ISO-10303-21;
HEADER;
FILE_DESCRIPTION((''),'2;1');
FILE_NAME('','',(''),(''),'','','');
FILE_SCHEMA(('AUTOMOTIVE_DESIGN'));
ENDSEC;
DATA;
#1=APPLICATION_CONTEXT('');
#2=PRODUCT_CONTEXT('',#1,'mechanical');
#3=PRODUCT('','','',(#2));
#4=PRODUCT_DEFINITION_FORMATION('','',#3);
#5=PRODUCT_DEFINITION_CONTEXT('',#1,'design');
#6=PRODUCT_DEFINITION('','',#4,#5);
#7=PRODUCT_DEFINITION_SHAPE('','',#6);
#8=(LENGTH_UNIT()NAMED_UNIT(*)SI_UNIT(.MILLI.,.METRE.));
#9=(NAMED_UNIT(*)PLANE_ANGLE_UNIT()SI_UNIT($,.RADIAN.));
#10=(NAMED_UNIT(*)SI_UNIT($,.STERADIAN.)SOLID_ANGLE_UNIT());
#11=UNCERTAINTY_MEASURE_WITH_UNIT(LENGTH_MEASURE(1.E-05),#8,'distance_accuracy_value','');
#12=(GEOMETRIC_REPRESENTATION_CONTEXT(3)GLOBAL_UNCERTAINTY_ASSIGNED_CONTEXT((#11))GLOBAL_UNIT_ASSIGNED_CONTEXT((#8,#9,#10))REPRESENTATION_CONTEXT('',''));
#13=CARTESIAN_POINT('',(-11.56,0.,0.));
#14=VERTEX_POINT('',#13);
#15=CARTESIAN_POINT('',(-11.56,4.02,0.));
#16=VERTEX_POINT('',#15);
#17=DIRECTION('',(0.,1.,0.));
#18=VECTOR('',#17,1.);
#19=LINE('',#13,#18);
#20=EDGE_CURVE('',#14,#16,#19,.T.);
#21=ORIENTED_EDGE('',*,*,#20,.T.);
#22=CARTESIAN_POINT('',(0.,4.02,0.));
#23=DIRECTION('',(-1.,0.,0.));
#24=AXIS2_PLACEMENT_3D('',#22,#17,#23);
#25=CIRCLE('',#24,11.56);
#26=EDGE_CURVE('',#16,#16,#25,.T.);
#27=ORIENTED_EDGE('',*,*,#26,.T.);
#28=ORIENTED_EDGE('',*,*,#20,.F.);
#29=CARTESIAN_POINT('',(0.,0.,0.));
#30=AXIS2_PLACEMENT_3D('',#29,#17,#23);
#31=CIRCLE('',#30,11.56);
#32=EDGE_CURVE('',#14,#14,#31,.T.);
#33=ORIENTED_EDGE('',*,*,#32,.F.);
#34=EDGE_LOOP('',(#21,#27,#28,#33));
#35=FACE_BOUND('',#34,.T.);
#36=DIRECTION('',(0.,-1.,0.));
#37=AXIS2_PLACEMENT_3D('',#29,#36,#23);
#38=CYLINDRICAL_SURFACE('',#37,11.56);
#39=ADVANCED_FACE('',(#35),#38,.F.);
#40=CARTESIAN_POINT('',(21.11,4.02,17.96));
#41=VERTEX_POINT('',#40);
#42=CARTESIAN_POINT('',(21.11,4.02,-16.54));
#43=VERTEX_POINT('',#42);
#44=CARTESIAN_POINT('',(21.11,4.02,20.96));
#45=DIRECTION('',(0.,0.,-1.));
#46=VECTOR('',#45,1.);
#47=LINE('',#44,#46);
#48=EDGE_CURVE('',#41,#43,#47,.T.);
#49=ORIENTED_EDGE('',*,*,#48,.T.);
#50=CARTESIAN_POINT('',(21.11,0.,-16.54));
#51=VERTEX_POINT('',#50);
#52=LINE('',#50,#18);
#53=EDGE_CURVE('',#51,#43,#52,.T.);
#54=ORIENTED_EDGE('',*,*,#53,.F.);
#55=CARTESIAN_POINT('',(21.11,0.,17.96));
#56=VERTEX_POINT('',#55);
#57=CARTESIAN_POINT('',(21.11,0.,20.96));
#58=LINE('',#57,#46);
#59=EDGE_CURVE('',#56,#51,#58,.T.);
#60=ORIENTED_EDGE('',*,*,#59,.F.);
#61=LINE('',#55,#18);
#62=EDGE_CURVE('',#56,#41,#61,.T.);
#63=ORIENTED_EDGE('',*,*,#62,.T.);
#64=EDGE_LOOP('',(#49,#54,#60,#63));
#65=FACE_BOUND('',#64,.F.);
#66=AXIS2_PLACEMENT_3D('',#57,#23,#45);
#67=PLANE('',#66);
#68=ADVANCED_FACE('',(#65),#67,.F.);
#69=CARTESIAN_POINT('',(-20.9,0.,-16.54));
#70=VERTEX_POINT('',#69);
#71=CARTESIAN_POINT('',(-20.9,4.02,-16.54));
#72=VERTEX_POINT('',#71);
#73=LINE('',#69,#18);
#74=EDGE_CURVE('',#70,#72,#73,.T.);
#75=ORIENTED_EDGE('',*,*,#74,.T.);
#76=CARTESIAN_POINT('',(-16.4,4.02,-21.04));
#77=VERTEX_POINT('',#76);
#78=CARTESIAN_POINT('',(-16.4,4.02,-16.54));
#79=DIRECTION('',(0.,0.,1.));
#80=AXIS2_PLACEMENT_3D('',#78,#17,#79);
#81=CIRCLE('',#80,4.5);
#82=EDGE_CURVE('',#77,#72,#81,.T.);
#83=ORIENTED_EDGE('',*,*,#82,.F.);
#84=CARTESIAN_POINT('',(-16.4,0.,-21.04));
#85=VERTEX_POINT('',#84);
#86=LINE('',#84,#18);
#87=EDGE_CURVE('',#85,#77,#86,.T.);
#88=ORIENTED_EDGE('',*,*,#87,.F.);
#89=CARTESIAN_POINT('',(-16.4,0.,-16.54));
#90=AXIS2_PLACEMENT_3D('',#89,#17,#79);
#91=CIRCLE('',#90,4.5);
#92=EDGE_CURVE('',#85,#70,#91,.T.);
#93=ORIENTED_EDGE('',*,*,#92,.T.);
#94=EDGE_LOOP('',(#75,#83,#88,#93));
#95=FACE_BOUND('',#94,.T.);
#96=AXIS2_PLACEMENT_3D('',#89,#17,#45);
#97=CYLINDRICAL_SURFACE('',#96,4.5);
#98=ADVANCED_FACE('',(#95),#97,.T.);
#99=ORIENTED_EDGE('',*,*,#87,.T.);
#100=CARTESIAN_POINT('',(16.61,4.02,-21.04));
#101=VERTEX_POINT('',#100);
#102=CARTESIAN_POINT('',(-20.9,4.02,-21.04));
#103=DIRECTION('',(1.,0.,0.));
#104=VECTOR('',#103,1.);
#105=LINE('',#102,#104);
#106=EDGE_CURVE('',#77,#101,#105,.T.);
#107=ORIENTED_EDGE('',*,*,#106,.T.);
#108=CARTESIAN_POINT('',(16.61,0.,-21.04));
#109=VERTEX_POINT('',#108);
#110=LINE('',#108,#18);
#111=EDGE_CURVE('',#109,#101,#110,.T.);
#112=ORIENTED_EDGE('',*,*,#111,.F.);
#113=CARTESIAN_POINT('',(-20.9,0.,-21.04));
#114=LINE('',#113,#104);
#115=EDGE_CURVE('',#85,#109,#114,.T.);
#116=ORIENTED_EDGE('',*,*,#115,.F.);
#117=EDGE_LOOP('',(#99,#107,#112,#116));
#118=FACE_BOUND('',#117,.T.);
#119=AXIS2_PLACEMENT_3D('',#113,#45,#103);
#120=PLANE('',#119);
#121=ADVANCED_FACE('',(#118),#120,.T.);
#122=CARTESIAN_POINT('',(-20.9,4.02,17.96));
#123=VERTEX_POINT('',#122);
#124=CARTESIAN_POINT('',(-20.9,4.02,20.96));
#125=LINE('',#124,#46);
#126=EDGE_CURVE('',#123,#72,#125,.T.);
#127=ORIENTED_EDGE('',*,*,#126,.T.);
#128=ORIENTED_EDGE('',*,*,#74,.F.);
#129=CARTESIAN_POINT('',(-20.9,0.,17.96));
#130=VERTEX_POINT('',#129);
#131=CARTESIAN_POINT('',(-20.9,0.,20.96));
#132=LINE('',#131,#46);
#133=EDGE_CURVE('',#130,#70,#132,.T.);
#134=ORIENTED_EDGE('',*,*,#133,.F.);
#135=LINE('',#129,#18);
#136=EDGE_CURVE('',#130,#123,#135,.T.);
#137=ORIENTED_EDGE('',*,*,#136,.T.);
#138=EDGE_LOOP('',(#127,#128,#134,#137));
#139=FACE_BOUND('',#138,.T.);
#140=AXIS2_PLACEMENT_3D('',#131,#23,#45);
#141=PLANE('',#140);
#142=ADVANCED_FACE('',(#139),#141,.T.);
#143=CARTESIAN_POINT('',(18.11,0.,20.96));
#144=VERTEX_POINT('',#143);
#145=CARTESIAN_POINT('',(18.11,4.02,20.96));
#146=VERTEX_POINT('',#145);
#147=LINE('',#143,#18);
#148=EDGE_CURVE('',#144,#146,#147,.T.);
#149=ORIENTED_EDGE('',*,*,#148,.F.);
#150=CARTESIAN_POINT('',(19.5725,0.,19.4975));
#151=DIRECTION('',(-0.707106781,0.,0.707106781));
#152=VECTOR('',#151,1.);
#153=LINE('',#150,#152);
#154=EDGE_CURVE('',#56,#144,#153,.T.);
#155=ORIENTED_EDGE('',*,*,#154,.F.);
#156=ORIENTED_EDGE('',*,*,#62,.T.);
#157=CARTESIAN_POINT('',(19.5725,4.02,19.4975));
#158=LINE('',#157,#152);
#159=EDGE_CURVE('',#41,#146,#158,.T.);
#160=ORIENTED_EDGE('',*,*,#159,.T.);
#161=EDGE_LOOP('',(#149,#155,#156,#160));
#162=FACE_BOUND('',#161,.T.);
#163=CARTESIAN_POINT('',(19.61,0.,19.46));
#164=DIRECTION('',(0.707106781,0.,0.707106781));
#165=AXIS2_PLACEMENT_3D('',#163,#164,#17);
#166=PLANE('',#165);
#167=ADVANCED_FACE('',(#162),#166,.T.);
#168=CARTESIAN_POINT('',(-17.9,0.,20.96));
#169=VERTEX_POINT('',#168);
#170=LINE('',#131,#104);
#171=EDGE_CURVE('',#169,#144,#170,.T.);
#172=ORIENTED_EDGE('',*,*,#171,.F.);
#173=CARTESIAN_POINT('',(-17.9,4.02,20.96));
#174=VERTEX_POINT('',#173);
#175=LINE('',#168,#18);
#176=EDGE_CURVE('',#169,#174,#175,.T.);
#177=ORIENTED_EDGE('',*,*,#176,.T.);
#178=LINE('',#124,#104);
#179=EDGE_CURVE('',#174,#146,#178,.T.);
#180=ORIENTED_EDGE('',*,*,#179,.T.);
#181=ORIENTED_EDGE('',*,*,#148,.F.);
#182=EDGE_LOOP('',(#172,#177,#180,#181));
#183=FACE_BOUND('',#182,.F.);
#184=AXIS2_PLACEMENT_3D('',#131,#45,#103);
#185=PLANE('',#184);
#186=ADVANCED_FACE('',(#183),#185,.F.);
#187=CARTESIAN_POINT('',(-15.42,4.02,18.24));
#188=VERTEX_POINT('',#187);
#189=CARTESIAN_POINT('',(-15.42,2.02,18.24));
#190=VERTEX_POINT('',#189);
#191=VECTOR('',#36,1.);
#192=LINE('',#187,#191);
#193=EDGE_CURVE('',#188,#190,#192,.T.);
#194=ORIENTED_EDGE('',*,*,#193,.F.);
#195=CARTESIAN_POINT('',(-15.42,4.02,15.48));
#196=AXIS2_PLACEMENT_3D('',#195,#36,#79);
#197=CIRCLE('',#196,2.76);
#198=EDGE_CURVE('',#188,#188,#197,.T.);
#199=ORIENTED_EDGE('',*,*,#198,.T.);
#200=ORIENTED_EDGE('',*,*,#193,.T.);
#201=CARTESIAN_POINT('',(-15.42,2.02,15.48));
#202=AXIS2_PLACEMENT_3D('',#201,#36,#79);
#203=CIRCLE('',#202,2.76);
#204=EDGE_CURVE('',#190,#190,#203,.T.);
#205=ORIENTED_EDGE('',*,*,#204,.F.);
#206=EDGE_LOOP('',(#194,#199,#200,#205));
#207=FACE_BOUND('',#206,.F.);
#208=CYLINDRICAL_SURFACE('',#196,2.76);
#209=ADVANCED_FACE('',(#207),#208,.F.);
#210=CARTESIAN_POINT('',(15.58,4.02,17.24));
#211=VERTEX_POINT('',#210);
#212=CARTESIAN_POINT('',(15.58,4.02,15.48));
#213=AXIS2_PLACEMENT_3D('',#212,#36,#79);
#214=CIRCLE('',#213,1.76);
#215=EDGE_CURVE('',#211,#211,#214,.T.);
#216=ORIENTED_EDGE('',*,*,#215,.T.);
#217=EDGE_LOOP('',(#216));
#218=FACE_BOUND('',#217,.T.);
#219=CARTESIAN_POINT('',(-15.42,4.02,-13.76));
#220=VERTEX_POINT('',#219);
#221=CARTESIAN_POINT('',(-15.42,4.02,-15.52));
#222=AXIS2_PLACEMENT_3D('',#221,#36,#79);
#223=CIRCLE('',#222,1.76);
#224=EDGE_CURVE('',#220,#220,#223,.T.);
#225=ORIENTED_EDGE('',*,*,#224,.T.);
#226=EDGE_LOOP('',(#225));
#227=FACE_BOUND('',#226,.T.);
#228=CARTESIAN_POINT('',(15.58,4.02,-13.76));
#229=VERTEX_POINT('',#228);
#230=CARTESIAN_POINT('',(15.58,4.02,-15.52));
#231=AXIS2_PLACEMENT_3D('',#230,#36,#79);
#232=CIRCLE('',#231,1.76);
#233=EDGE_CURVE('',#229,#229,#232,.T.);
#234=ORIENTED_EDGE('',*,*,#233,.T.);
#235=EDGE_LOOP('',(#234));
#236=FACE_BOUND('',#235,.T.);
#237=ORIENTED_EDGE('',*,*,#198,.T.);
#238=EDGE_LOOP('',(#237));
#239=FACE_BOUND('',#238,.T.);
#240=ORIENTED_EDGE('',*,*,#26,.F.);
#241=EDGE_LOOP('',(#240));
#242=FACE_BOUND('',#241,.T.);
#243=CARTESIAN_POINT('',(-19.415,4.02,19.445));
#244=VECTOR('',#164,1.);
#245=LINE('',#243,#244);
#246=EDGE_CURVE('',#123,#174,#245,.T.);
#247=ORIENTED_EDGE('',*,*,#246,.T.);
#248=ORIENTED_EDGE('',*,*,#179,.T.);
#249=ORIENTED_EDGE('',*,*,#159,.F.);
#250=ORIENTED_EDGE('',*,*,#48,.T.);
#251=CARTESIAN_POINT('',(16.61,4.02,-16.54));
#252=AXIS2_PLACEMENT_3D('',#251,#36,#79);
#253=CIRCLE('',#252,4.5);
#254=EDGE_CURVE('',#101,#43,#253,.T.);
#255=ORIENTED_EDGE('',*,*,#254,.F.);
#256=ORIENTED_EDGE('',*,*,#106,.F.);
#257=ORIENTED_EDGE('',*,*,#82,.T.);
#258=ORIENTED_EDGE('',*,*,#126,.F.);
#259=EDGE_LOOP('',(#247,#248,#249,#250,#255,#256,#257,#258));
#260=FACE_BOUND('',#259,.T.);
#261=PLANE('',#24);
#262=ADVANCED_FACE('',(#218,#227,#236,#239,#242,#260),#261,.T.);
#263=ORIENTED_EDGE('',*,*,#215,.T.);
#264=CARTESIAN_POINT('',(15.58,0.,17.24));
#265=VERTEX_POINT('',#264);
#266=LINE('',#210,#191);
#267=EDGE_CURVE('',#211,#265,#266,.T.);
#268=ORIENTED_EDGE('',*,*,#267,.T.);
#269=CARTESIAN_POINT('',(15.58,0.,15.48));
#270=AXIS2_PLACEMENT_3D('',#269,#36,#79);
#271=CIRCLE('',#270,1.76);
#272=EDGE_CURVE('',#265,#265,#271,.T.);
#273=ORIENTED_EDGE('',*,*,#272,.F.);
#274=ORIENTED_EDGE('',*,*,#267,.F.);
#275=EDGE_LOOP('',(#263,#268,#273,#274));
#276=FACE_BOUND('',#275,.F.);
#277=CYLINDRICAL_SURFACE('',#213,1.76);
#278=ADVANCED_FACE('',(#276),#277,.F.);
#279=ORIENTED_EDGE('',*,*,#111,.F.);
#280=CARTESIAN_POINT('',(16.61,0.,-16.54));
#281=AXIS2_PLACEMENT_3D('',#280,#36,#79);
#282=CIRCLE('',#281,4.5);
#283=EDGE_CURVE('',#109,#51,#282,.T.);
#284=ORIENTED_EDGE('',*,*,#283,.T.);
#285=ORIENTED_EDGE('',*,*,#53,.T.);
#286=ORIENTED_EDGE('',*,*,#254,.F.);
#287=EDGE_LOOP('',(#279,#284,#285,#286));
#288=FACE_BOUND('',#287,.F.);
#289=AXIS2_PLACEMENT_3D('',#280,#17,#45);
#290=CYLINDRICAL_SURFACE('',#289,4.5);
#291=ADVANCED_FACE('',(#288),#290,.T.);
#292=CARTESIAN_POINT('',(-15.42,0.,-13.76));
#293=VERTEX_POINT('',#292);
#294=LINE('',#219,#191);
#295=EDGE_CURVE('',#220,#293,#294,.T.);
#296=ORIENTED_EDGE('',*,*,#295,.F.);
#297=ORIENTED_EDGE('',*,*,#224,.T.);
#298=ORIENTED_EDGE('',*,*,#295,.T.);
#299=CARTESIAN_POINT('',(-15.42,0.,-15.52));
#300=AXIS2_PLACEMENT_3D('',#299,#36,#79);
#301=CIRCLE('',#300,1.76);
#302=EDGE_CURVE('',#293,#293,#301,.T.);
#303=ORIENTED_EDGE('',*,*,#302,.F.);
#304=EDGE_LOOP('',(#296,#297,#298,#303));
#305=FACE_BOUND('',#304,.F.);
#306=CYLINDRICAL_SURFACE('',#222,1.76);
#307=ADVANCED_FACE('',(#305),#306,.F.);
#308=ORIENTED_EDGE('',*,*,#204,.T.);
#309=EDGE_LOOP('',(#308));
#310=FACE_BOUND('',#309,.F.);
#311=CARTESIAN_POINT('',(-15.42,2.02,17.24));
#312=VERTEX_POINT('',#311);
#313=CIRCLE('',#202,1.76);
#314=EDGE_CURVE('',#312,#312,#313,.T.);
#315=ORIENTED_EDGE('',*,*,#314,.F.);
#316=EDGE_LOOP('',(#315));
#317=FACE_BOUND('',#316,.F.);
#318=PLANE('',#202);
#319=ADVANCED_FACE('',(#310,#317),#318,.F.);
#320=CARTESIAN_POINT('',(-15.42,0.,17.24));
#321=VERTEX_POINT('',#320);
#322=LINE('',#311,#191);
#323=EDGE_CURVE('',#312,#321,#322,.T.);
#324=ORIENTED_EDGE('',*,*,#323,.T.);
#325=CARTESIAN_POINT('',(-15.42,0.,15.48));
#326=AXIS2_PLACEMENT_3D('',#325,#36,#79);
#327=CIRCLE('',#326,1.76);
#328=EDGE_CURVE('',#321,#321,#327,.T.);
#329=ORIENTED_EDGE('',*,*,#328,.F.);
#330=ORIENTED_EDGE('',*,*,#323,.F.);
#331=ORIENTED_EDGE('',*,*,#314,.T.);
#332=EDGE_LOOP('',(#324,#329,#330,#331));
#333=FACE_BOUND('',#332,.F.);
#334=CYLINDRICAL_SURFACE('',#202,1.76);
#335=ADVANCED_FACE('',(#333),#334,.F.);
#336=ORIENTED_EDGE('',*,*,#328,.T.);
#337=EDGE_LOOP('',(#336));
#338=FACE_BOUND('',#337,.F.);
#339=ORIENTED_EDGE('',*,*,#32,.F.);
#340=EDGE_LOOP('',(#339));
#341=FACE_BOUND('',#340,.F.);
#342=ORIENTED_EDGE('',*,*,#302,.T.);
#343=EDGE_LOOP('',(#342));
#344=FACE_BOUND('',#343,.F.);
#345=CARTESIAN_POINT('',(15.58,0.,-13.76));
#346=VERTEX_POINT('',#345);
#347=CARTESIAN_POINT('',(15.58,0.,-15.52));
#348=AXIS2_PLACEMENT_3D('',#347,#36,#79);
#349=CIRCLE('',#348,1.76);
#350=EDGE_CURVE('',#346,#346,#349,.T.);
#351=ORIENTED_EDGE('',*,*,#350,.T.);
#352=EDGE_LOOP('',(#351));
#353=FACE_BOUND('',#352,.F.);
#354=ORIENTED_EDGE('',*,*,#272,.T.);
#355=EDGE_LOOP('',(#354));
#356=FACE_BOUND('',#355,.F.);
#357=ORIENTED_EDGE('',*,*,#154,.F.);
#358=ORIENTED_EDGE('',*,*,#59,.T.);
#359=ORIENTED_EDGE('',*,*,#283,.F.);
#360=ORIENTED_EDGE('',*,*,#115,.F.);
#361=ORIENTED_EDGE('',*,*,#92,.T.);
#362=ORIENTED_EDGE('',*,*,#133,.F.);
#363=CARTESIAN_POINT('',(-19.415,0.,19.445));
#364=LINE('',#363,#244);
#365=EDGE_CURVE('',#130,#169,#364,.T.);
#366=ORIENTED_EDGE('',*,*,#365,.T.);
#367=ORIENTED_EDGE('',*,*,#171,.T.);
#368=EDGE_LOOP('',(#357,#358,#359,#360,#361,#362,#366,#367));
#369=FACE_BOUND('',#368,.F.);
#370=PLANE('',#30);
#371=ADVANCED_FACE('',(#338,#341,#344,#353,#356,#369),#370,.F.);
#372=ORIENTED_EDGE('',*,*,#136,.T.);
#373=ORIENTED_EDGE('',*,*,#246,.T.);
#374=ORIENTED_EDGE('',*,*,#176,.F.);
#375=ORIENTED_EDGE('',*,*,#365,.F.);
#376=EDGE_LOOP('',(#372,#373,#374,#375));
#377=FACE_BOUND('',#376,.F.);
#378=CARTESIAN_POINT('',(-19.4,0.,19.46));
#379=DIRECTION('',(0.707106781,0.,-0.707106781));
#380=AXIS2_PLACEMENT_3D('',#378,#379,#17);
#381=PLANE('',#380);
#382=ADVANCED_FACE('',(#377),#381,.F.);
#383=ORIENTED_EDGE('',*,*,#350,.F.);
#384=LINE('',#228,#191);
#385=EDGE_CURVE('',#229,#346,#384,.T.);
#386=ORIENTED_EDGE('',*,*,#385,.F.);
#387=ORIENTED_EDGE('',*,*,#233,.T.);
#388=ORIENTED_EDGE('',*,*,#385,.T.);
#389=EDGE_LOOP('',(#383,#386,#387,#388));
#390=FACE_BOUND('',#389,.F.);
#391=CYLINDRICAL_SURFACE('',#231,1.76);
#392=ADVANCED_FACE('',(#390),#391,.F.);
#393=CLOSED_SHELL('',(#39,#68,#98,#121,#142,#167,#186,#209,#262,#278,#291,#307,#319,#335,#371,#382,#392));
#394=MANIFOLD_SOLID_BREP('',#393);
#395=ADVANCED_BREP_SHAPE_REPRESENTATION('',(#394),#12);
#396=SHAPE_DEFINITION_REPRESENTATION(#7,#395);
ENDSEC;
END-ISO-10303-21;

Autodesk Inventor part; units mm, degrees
ref_plane "YZ Plane" through (0, 0, 0) normal (1, 0, 0) x (0, 1, 0)
ref_plane "XZ Plane" through (0, 0, 0) normal (0, 1, 0) x (-1, 0, 0)
ref_plane "XY Plane" through (0, 0, 0) normal (0, 0, 1) x (1, 0, 0)
sketch "Sketch1" plane through (0, 0, 0) normal (0, 1, 0) x (-1, 0, 0)
  circle A0 centre (0, 0) radius 11.56
  line L0 (20.9, -21.04) -> (-21.11, -21.04)
  line L1 (20.9, 20.96) -> (-21.11, 20.96)
  line L2 (20.9, 20.96) -> (20.9, -21.04)
  line L3 (-21.11, 20.96) -> (-21.11, -21.04)
  dimension "d1" = 23.12
  dimension "d2" = 21.04
  dimension "d3" = 20.9
  dimension "d4" = 20.96
  dimension "d5" = 21.11
extrude "Extrusion1" add sketch "Sketch1" along normal blind 4.02
sketch "Sketch2" plane through (0, 4.02, 0) normal (0, 1, 0) x (1, 0, 0)
  point P0 (0, 0)
  point P1 (15.58, -15.48)
  point P2 (15.58, 15.52)
  point P3 (-15.42, 15.52)
  point P4 (-15.42, -15.48)
  dimension "d8" = 15.52
  dimension "d9" = 15.48
  dimension "d10" = 15.42
  dimension "d11" = 15.58
hole "Hole1" at (15.58, 4.02, 15.48) at (15.58, 4.02, -15.52) at (-15.42, 4.02, -15.52) direction (0, -1, 0) diameter 3.52 end through all
hole "Hole2" at (-15.42, 4.02, 15.48) direction (0, -1, 0) diameter 3.52 end through all counterbore diameter 5.52 counterbore depth 2
fillet "Fillet1" radius 4.5 2 edges at (-20.9, 2.01, -21.04) (21.11, 2.01, -21.04)
chamfer "Chamfer1" distance 3 angle 45 2 edges at (-20.9, 2.01, 20.96) (21.11, 2.01, 20.96)
properties part number "Extruder Housing"
